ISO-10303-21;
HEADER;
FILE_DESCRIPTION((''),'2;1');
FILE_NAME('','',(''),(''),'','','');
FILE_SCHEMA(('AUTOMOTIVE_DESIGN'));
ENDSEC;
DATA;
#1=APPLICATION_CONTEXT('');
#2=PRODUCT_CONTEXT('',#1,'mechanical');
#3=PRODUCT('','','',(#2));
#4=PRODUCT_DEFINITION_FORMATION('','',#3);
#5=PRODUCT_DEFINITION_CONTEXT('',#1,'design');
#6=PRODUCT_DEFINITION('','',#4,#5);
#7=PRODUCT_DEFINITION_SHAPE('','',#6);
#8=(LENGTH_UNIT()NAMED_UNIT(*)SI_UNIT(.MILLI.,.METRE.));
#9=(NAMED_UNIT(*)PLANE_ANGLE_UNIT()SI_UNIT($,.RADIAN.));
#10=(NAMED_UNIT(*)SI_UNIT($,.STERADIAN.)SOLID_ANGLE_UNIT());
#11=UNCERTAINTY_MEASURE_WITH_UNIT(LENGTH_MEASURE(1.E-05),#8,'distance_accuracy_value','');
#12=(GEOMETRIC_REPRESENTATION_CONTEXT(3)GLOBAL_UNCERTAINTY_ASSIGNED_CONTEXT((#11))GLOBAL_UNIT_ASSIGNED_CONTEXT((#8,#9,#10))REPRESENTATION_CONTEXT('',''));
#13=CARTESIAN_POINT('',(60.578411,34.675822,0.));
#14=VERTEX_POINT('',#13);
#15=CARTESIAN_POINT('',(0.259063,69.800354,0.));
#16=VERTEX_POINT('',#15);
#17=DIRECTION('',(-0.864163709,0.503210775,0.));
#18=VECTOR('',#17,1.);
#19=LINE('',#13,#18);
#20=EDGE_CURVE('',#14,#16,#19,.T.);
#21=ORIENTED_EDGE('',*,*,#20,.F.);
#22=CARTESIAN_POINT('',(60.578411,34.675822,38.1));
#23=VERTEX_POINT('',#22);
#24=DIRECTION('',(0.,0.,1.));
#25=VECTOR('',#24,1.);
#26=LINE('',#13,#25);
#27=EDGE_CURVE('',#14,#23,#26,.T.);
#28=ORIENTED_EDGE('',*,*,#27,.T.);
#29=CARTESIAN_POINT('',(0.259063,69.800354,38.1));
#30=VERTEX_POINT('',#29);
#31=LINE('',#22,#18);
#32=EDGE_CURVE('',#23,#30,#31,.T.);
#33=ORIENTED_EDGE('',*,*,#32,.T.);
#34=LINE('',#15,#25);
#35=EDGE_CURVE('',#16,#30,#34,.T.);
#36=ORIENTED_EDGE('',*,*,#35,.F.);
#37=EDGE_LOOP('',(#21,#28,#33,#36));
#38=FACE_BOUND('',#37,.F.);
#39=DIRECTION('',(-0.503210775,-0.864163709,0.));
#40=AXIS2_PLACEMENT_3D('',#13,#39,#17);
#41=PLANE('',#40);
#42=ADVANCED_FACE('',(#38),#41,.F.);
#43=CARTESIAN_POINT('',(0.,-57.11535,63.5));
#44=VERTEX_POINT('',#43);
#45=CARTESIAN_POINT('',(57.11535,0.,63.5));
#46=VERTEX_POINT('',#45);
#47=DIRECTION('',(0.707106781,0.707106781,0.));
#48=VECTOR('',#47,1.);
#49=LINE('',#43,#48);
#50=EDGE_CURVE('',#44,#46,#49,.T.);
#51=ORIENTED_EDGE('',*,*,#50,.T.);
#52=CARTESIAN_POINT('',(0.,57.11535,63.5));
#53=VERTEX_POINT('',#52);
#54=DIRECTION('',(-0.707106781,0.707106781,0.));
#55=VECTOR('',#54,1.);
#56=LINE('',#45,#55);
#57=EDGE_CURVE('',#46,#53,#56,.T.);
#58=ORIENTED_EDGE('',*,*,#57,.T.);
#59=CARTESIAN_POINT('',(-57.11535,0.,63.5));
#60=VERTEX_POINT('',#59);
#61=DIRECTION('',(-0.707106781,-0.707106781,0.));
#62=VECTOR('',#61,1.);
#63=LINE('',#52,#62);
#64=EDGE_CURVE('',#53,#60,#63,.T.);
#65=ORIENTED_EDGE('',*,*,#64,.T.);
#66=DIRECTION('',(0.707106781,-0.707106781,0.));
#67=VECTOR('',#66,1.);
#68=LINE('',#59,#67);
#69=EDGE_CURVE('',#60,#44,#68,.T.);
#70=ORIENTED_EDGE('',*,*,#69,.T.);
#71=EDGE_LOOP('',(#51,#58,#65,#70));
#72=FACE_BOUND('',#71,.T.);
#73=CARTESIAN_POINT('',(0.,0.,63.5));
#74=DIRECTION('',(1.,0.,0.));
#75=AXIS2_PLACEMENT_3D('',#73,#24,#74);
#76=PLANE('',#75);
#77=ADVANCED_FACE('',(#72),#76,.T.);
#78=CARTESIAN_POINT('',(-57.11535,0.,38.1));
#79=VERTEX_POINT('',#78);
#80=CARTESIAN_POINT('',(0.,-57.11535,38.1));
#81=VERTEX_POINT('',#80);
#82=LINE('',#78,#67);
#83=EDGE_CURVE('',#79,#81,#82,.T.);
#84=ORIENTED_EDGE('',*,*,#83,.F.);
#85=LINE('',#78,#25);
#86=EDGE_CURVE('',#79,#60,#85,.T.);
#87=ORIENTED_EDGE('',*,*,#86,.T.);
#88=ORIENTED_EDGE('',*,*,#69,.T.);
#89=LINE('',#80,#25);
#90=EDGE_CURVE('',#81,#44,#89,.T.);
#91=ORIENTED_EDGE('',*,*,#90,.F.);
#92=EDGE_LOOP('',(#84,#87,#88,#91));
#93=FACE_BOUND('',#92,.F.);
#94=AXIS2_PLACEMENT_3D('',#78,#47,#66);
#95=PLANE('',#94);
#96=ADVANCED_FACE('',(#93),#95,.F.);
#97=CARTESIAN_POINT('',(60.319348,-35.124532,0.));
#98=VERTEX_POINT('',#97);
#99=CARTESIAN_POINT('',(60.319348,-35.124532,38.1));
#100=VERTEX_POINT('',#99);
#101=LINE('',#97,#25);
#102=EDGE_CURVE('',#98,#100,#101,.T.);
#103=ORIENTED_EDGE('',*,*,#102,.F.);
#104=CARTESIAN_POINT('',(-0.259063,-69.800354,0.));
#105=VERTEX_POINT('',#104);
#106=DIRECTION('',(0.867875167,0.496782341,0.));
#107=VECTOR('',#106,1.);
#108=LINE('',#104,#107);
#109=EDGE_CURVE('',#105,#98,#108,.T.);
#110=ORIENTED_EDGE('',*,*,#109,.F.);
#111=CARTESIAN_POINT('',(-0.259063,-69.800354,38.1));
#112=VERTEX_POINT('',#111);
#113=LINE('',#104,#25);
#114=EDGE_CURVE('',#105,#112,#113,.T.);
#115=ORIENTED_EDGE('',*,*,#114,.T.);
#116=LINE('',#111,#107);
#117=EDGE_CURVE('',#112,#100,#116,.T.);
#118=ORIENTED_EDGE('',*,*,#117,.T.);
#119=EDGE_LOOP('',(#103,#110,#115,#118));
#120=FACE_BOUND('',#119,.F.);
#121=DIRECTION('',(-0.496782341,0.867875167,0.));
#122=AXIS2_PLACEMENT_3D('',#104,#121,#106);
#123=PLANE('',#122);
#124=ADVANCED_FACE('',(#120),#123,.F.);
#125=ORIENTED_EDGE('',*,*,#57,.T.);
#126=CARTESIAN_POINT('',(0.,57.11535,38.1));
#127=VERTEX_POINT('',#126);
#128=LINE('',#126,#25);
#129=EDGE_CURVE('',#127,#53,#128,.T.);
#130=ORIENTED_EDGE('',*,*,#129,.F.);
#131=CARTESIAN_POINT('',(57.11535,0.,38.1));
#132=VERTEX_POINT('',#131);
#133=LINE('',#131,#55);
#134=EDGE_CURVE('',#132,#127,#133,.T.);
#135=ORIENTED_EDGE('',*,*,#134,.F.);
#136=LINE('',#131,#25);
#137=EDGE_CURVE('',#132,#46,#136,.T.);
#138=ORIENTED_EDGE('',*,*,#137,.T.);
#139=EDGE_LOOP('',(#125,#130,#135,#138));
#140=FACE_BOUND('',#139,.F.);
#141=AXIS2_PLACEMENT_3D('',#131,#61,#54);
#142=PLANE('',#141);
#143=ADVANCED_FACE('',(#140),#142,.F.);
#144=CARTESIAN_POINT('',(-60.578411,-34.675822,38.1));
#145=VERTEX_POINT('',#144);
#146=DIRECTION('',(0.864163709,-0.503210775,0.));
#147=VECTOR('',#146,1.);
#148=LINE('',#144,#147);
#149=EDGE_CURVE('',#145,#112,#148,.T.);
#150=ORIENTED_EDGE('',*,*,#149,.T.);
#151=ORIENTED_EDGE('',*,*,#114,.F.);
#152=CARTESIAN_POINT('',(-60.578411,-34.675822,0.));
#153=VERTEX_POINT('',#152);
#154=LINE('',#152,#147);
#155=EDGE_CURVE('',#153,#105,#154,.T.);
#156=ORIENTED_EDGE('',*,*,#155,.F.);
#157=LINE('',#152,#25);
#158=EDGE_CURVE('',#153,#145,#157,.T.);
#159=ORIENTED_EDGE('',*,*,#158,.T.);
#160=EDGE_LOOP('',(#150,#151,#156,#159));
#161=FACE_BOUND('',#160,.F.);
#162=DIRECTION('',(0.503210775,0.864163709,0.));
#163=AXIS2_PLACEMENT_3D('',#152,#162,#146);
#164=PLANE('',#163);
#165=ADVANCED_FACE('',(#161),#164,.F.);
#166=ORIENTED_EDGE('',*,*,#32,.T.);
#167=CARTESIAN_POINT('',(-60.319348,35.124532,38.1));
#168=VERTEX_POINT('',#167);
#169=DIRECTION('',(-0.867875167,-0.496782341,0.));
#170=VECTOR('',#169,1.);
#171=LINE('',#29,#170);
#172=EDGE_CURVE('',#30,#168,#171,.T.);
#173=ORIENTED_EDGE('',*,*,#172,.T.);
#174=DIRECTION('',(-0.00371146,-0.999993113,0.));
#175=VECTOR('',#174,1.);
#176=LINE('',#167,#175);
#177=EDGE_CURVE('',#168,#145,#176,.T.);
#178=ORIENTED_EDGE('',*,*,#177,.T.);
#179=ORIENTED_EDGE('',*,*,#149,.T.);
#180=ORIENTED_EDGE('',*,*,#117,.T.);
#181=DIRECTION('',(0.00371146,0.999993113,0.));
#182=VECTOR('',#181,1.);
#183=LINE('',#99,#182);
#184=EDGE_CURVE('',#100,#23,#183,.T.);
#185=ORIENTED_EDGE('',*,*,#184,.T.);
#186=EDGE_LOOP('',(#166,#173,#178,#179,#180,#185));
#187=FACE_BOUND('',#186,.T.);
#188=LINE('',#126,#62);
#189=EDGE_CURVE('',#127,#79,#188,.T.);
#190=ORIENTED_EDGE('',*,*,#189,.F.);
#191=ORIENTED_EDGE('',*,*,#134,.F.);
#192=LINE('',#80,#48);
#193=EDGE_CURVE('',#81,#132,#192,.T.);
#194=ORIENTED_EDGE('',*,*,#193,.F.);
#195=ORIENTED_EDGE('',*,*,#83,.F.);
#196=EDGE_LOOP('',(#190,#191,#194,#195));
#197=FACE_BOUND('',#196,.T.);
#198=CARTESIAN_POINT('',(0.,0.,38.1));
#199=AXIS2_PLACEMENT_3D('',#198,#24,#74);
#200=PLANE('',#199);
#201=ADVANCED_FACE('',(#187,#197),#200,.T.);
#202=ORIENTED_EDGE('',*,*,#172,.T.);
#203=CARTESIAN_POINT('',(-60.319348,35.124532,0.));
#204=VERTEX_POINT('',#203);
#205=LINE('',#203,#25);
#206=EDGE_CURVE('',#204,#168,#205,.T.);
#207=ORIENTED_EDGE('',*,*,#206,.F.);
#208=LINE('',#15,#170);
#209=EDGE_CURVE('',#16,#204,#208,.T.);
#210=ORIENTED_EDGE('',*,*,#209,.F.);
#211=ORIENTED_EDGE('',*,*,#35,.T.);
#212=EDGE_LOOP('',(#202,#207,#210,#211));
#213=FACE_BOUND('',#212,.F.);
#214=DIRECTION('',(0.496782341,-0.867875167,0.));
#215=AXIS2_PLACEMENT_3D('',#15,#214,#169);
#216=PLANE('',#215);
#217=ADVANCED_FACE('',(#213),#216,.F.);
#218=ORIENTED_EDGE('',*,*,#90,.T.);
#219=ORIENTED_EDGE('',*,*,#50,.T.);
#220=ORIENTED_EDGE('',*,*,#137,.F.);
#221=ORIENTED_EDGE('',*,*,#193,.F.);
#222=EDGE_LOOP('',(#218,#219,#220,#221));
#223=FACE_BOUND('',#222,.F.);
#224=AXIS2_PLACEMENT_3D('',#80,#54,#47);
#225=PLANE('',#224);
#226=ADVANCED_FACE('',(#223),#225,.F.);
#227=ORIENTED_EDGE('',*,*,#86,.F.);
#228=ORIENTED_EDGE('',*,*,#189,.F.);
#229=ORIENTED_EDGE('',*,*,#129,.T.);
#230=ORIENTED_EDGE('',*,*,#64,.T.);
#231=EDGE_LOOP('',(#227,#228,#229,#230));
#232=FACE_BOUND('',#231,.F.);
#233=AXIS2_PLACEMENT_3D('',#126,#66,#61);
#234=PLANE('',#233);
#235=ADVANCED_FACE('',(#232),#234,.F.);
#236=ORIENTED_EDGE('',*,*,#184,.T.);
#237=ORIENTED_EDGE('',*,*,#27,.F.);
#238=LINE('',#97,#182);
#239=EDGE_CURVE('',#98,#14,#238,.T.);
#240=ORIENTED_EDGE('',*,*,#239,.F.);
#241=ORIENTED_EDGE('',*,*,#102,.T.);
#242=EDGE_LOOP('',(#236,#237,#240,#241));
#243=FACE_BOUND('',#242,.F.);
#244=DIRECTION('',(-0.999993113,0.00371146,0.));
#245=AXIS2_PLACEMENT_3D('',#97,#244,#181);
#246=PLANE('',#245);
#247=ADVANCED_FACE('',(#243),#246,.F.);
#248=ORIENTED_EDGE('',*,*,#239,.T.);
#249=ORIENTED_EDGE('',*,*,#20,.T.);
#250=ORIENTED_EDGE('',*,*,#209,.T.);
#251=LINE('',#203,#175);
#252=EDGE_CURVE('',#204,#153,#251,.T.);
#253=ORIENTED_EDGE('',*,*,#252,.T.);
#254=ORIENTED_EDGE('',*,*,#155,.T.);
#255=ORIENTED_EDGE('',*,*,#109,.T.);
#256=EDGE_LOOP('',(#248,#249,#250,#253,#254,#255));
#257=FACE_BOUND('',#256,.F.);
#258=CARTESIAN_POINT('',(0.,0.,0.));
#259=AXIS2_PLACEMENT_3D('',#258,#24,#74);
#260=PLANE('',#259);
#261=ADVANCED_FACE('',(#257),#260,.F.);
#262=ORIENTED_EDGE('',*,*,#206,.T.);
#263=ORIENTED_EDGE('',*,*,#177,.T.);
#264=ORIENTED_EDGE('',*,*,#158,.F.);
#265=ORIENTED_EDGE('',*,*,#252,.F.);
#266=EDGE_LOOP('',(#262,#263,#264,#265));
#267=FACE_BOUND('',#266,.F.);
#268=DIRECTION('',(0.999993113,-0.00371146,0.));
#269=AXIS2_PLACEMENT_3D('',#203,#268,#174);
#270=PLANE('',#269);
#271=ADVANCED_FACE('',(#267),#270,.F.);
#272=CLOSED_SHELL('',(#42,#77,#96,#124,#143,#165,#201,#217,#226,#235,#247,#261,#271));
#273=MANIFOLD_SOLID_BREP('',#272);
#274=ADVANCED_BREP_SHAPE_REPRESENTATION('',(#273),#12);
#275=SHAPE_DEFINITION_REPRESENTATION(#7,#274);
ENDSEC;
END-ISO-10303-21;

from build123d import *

# Parameters (mm, degrees)
F1_DEPTH = 38.1
F3_DEPTH = 25.4


with BuildPart() as f1:
    # F0 (on Top) → F1 (new body)
    with BuildSketch(Plane.XY):
        Polygon((-60.578411, -34.675822), (-0.259063, -69.800354), (60.319348, -35.124532), (60.578411, 34.675822), (0.259063, 69.800354), (-60.319348, 35.124532), align=None)
    extrude(amount=F1_DEPTH)

    # F2 (on face) → F3 (join)
    with BuildSketch(Plane.XY.offset(38.1)):
        Polygon((57.11535, 0), (0, 57.11535), (-57.11535, 0), (0, -57.11535), align=None)
    extrude(amount=F3_DEPTH)


solid = f1.part
